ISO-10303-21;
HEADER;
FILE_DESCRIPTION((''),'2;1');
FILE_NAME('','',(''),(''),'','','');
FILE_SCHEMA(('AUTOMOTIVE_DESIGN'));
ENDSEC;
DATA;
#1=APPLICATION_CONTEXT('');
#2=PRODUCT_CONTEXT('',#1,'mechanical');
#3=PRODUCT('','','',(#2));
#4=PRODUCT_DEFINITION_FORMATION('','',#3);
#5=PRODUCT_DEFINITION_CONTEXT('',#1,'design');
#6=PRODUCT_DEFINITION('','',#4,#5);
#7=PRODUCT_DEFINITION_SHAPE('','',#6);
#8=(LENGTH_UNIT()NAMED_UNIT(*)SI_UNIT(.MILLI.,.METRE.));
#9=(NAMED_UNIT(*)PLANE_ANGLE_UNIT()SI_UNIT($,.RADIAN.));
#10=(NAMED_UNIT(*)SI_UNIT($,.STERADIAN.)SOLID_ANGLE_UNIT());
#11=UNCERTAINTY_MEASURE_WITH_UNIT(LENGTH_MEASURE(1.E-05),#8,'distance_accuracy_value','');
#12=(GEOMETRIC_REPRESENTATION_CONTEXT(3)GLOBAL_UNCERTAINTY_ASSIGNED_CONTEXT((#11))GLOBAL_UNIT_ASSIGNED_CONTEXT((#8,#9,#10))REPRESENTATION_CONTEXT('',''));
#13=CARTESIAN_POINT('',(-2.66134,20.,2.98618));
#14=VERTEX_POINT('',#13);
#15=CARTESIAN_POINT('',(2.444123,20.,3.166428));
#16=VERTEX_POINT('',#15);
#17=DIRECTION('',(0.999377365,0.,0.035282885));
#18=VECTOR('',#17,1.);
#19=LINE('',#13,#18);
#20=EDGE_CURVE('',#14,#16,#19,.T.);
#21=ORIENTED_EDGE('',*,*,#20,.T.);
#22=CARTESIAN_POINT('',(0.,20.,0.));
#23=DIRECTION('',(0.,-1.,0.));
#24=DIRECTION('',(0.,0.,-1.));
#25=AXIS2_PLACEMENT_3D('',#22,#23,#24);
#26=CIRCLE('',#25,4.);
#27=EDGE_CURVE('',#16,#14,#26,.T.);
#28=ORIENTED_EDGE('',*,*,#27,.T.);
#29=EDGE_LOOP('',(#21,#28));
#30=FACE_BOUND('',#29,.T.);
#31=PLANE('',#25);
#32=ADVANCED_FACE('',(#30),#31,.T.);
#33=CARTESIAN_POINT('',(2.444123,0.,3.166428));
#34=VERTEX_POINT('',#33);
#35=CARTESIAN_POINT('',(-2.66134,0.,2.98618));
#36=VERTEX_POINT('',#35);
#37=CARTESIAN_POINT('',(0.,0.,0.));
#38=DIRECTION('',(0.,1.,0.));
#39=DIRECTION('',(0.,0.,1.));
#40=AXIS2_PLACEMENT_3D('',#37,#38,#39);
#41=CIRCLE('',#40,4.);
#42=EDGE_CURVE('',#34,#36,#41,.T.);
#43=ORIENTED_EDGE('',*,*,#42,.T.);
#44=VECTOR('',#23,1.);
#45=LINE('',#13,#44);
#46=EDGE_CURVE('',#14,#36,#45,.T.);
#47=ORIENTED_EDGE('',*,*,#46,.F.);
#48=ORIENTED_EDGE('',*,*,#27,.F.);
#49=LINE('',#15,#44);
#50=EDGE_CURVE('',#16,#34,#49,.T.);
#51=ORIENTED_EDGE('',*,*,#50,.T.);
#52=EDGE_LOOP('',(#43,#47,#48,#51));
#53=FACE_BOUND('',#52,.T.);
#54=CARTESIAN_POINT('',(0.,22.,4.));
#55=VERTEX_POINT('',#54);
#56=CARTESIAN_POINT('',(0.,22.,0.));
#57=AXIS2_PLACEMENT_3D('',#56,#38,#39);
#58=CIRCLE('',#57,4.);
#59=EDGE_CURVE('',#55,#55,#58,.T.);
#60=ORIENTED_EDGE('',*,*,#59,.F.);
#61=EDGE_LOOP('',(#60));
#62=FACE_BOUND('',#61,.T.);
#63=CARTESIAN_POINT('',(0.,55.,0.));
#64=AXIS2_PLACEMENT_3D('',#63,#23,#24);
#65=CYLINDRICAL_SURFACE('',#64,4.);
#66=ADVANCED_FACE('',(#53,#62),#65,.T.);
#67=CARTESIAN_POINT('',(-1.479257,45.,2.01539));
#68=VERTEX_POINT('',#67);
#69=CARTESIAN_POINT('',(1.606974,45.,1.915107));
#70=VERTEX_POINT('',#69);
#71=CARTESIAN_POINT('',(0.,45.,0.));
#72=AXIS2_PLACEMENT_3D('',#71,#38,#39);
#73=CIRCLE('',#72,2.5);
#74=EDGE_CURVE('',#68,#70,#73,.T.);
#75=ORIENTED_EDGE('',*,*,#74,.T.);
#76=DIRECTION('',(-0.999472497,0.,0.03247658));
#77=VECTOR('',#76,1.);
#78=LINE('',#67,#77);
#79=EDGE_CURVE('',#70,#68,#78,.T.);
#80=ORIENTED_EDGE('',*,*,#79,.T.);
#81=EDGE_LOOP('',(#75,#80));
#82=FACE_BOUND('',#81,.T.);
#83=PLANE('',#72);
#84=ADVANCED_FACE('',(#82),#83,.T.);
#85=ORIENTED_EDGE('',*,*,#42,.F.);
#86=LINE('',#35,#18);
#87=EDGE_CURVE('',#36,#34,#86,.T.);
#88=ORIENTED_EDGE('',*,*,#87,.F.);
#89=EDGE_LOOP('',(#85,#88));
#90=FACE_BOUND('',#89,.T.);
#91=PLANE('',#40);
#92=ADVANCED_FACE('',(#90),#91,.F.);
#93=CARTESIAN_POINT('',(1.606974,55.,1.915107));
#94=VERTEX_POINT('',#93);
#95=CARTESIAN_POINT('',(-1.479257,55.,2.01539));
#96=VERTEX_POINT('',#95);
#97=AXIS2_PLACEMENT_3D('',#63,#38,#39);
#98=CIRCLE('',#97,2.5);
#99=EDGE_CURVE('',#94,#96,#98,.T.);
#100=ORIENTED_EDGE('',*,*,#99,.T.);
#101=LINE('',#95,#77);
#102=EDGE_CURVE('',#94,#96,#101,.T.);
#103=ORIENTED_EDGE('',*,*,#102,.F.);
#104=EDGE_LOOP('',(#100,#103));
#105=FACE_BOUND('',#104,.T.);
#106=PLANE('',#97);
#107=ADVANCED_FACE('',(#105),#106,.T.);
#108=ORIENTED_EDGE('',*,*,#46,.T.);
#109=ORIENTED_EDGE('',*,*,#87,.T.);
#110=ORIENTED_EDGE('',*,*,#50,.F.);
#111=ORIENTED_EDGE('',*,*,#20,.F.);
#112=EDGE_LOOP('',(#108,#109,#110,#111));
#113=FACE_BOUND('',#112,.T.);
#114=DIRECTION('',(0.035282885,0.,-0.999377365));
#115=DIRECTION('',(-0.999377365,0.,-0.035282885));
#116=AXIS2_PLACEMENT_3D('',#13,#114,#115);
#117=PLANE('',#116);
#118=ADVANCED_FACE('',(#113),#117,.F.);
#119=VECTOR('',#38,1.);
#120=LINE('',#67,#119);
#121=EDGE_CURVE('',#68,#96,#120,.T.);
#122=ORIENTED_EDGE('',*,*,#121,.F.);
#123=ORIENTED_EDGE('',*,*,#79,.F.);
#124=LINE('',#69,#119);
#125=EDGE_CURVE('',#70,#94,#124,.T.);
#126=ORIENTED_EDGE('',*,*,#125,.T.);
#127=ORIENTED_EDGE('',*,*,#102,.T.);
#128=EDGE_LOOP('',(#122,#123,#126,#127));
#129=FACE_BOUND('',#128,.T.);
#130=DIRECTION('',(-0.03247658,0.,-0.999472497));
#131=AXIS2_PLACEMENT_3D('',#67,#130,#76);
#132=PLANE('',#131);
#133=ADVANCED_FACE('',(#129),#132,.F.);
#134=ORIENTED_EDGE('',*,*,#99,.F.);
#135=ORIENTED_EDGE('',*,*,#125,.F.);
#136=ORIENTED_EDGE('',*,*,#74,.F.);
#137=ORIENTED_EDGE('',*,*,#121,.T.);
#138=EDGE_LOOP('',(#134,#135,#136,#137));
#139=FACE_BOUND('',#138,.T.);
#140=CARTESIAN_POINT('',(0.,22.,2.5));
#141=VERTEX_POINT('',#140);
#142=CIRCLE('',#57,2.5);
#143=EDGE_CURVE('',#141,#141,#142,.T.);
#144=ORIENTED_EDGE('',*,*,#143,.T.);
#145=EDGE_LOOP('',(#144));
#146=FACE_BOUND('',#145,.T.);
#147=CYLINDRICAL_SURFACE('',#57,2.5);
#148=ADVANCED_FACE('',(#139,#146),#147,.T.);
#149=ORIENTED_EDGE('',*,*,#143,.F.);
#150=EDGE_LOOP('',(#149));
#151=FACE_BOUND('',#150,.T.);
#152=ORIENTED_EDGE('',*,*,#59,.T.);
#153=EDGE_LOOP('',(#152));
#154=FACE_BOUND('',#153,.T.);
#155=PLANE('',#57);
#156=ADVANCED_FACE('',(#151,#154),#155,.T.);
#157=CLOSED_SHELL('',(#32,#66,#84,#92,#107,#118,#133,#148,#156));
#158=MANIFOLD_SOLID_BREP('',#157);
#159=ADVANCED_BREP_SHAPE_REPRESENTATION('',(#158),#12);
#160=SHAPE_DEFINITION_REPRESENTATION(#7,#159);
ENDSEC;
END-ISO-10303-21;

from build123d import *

# Parameters (mm, degrees)
SKETCH1_R           = 4
BOSS_EXTRUDE1_DEPTH = 55
CUT_EXTRUDE1_DEPTH  = 20
CUT_EXTRUDE2_START  = -33
SKETCH3_R           = 4
SKETCH3_R_2         = 2.5
CUT_EXTRUDE2_DEPTH  = 33
CUT_EXTRUDE3_START  = -10
CUT_EXTRUDE3_DEPTH  = 10


with BuildPart() as part:
    # Sketch1 → Boss-Extrude1 (new body)
    with BuildSketch(Plane(origin=(0, 0, 0), x_dir=(1, 0, 0), z_dir=(0, 1, 0))):
        with Locations(Location((0, 0, 0), (0, 0, 270))):
            Circle(SKETCH1_R)
    extrude(amount=BOSS_EXTRUDE1_DEPTH)

    # Sketch2 → Cut-Extrude1 (cut)
    with BuildSketch(Plane.XZ):
        with BuildLine():
            Line((-2.661339853, 2.986179865), (2.444122866, 3.166427547))
            ThreePointArc((2.444122866, 3.166427547), (-0.14113154, 3.997509461), (-2.661339853, 2.986179865))
        make_face()
    extrude(amount=-CUT_EXTRUDE1_DEPTH, mode=Mode.SUBTRACT)

    # Sketch3 → Cut-Extrude2 (cut)
    with BuildSketch(Plane(origin=(0, 55, 0), x_dir=(1, 0, 0), z_dir=(0, 1, 0)).offset(CUT_EXTRUDE2_START)):
        with Locations(Location((0, 0, 0), (0, 0, 228.291972002))):
            Circle(SKETCH3_R)
        with Locations(Location((0, 0, 0), (0, 0, 270))):
            Circle(SKETCH3_R_2, mode=Mode.SUBTRACT)
    extrude(amount=CUT_EXTRUDE2_DEPTH, mode=Mode.SUBTRACT)

    # Sketch6 → Cut-Extrude3 (cut)
    with BuildSketch(Plane(origin=(0, 55, 0), x_dir=(1, 0, 0), z_dir=(0, 1, 0)).offset(CUT_EXTRUDE3_START)):
        with BuildLine():
            Line((-1.479257304, -2.015390242), (1.606973788, -1.915107111))
            ThreePointArc((1.606973788, -1.915107111), (0.081191451, -2.498681242), (-1.479257304, -2.015390242))
        make_face()
    extrude(amount=CUT_EXTRUDE3_DEPTH, mode=Mode.SUBTRACT)


solid = part.part
